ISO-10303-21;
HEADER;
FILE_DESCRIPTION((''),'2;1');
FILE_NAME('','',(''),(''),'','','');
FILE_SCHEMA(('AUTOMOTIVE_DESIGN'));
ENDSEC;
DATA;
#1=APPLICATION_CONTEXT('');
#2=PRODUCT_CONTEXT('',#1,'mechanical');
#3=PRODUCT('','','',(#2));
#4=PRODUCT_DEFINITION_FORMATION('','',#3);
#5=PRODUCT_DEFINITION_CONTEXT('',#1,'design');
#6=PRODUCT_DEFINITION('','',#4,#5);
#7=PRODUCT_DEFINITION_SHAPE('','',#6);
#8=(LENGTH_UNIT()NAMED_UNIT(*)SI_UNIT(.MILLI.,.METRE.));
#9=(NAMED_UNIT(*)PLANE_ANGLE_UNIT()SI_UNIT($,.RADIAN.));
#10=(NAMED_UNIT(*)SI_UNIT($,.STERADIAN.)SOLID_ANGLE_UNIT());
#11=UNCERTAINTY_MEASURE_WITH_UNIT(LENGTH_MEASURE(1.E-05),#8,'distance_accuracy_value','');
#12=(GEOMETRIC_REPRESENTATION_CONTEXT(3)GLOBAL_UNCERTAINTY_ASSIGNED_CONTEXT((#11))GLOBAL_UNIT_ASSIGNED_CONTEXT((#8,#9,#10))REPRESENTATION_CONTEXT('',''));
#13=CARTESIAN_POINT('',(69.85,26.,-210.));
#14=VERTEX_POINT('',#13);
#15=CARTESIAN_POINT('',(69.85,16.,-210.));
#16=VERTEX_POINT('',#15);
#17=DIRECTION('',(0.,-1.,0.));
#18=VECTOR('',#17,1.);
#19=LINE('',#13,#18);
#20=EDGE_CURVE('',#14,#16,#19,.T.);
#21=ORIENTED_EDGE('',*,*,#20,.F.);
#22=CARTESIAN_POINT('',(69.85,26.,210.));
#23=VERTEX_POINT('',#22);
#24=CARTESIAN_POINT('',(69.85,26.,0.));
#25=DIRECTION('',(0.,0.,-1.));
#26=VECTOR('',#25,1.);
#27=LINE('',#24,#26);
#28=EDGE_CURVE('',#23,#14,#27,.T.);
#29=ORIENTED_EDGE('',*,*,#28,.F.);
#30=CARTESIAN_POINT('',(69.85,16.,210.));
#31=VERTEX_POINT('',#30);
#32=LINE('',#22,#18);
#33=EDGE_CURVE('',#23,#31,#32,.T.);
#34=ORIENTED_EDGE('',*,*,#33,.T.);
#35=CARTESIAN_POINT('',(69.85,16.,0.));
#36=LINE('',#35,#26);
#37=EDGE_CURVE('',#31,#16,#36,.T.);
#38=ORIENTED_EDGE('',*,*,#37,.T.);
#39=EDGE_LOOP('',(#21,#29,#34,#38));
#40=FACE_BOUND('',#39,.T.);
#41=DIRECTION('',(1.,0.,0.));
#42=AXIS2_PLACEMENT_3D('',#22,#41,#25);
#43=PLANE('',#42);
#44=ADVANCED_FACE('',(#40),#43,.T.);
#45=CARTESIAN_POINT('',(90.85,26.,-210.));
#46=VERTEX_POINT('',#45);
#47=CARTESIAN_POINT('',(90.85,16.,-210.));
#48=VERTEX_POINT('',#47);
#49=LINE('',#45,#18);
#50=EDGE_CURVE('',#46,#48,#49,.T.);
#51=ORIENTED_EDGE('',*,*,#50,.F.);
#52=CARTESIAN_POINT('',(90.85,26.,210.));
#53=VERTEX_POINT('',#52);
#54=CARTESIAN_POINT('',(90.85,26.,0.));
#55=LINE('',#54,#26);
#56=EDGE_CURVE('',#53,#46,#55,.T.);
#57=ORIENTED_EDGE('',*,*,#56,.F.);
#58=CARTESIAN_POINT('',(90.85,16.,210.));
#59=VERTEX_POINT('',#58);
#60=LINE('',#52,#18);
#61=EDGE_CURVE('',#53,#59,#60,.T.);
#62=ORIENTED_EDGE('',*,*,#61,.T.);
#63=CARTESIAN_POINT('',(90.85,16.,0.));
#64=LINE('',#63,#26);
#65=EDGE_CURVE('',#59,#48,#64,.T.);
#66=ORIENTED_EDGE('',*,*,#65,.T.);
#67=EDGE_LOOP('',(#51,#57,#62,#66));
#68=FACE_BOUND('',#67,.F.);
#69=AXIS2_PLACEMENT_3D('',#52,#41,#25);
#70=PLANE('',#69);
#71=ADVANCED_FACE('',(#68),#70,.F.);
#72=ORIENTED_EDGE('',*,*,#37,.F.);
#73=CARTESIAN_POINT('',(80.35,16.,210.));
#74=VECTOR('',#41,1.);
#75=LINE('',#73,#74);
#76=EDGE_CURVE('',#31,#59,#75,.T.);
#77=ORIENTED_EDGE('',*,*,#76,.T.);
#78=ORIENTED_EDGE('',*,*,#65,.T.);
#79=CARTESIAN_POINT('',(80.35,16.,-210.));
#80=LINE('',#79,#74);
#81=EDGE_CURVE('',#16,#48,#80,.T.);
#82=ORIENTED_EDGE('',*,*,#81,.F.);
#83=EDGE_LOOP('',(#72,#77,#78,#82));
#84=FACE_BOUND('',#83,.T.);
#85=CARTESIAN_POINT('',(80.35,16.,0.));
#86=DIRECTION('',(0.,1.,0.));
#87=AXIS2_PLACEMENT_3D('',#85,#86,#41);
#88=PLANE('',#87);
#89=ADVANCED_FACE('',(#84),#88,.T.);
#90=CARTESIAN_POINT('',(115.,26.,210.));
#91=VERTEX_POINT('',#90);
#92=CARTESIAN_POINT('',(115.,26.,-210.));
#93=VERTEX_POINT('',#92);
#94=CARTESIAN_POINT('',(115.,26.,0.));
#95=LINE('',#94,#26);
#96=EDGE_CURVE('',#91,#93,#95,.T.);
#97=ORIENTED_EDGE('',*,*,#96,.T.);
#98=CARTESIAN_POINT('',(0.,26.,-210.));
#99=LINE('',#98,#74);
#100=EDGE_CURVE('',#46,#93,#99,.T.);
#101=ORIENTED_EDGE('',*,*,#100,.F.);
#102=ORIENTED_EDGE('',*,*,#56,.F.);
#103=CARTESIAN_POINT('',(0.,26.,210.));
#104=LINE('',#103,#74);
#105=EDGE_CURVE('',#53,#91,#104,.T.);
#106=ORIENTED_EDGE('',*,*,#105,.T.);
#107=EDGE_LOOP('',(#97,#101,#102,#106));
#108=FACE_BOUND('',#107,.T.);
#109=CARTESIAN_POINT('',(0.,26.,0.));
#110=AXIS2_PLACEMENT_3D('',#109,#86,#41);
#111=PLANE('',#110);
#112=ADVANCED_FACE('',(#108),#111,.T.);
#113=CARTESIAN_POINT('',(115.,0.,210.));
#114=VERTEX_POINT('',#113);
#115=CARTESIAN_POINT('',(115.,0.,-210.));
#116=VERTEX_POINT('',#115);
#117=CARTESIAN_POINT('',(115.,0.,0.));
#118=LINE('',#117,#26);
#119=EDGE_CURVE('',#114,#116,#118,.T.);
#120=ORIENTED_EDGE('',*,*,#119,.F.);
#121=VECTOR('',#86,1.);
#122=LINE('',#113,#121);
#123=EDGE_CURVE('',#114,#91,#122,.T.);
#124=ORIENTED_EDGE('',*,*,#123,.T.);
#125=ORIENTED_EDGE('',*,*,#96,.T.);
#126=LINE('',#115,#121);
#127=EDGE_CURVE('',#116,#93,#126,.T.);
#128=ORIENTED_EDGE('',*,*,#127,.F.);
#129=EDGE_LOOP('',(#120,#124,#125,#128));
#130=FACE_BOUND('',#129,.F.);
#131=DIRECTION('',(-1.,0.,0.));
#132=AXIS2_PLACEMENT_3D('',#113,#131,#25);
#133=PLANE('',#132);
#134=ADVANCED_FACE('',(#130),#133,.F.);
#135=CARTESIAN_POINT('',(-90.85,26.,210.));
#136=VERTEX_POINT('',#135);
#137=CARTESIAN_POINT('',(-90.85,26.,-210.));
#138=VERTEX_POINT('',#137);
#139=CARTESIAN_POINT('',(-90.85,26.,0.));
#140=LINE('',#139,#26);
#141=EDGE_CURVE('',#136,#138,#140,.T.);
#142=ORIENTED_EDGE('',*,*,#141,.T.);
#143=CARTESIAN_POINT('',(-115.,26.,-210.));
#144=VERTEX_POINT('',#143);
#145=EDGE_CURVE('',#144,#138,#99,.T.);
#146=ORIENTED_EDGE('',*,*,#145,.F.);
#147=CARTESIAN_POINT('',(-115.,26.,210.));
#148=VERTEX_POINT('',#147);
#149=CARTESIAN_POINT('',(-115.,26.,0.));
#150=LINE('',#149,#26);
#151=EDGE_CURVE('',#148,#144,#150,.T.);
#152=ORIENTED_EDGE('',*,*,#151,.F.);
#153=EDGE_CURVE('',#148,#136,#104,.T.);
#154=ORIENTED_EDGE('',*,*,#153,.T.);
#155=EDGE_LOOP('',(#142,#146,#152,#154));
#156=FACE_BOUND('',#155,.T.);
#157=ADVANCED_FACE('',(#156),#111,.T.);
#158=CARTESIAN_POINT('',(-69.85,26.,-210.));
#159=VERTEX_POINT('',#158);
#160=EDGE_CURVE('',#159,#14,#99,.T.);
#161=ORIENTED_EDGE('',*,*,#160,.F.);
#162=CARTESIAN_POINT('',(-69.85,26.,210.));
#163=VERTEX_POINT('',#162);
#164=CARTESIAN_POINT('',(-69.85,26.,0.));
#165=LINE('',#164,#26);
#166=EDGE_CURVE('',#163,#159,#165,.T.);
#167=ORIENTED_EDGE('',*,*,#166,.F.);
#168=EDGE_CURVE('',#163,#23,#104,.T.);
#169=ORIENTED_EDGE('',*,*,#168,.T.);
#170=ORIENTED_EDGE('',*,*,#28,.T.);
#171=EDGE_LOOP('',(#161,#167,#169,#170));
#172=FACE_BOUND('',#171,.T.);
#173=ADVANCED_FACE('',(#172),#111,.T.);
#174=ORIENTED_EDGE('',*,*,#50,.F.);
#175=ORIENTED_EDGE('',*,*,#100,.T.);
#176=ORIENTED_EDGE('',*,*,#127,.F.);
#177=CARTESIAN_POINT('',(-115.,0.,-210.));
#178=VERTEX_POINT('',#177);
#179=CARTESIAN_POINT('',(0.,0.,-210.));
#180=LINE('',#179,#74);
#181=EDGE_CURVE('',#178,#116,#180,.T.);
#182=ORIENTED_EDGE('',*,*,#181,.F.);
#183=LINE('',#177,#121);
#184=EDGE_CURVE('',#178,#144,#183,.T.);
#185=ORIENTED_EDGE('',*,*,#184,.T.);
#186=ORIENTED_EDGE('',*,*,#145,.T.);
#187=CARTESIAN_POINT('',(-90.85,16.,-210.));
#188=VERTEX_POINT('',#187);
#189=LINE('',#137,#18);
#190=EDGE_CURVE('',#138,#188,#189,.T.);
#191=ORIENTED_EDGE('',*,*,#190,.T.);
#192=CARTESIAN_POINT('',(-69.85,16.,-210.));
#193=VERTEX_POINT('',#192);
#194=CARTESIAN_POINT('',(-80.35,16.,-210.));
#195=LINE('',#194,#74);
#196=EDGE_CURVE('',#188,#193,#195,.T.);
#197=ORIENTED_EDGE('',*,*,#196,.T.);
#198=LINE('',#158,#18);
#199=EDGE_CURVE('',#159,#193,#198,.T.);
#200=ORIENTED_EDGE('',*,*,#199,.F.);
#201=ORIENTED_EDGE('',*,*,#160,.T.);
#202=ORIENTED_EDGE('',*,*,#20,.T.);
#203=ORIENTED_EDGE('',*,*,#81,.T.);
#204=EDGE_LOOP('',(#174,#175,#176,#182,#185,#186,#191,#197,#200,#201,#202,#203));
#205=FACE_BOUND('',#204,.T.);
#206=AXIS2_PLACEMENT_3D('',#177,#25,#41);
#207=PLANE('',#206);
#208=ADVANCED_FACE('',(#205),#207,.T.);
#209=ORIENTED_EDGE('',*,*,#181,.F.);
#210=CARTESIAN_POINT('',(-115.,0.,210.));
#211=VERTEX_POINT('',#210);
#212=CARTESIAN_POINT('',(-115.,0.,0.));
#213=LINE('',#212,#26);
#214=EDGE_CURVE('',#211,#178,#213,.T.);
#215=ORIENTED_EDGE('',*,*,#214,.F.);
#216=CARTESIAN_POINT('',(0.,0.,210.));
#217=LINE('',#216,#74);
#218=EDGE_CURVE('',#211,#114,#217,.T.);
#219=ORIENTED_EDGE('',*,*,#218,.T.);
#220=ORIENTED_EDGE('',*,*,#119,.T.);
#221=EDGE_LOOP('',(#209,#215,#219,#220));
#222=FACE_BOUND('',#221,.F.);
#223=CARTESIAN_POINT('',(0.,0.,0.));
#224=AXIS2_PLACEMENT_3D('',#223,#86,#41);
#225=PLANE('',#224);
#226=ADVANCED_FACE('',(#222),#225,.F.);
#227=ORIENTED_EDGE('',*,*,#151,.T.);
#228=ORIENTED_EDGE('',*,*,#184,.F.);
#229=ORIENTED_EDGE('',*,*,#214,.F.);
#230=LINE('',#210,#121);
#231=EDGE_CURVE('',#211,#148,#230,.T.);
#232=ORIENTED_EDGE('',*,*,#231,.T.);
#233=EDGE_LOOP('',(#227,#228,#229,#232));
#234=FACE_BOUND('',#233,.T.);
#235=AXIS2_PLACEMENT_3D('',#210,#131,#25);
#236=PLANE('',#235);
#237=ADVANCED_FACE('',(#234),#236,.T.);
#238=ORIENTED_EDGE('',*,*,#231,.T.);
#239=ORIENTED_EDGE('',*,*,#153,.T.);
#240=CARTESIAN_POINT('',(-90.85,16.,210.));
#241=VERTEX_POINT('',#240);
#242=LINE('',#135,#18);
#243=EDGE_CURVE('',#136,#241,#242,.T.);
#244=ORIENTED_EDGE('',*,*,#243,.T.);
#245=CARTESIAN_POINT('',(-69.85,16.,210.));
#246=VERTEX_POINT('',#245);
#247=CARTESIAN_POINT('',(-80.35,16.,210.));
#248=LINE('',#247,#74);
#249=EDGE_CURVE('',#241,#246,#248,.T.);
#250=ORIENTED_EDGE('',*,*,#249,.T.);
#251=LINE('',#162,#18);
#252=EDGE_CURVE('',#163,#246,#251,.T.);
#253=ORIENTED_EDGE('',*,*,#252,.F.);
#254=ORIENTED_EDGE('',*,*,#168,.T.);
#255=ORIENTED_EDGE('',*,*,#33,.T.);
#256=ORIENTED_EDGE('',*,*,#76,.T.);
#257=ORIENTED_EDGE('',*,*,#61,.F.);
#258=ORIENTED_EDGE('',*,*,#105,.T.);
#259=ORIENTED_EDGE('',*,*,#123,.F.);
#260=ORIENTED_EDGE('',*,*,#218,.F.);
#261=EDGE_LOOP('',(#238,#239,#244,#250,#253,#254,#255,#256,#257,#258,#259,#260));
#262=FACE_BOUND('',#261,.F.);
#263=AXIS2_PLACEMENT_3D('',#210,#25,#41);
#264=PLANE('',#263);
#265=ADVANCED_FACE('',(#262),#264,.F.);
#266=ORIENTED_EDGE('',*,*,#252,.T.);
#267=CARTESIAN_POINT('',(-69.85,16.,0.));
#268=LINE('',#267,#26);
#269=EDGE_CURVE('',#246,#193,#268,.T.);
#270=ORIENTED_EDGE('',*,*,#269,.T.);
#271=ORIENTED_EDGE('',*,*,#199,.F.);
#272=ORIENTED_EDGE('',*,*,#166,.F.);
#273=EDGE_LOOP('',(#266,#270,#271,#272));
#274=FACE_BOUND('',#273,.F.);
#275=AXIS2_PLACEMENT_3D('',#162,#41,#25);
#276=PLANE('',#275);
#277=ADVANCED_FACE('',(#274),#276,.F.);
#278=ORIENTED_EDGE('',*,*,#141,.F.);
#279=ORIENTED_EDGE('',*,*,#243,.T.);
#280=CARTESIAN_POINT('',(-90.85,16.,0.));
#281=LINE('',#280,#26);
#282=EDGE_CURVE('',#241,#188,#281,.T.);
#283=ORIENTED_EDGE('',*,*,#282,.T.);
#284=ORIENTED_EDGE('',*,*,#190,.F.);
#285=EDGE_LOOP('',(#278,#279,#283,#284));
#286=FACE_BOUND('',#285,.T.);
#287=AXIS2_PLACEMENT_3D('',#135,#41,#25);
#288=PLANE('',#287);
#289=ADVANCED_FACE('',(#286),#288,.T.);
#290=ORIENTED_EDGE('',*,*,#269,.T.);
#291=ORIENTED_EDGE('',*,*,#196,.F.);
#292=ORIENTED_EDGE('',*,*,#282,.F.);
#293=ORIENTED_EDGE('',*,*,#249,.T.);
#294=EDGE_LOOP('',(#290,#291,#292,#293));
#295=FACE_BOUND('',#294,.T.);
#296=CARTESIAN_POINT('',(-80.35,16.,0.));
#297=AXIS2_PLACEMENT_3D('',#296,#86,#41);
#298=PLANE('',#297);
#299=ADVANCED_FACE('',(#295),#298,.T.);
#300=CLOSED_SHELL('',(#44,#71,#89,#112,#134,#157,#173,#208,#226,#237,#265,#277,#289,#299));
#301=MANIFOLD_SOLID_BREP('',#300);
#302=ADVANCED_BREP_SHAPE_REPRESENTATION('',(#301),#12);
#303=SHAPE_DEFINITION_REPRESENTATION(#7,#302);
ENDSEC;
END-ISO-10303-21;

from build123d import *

# Parameters (mm, degrees)
SKETCH1_W           = 230
SKETCH1_H           = 420
BOSS_EXTRUDE1_DEPTH = 26
SKETCH2_W           = 21
SKETCH2_H           = 420
CUT_EXTRUDE1_DEPTH  = 10


with BuildPart() as part:
    # Sketch1 → Boss-Extrude1 (new body)
    with BuildSketch(Plane(origin=(0, 0, 0), x_dir=(1, 0, 0), z_dir=(0, 1, 0))):
        Rectangle(SKETCH1_W, SKETCH1_H)
    extrude(amount=BOSS_EXTRUDE1_DEPTH)

    # Sketch2 → Cut-Extrude1 (cut)
    with BuildSketch(Plane(origin=(0, 26, 0), x_dir=(1, 0, 0), z_dir=(0, 1, 0))):
        with Locations((-80.35, 0)):
            Rectangle(SKETCH2_W, SKETCH2_H)
        with Locations((80.35, 0)):
            Rectangle(SKETCH2_W, SKETCH2_H)
    extrude(amount=-CUT_EXTRUDE1_DEPTH, mode=Mode.SUBTRACT)


solid = part.part
